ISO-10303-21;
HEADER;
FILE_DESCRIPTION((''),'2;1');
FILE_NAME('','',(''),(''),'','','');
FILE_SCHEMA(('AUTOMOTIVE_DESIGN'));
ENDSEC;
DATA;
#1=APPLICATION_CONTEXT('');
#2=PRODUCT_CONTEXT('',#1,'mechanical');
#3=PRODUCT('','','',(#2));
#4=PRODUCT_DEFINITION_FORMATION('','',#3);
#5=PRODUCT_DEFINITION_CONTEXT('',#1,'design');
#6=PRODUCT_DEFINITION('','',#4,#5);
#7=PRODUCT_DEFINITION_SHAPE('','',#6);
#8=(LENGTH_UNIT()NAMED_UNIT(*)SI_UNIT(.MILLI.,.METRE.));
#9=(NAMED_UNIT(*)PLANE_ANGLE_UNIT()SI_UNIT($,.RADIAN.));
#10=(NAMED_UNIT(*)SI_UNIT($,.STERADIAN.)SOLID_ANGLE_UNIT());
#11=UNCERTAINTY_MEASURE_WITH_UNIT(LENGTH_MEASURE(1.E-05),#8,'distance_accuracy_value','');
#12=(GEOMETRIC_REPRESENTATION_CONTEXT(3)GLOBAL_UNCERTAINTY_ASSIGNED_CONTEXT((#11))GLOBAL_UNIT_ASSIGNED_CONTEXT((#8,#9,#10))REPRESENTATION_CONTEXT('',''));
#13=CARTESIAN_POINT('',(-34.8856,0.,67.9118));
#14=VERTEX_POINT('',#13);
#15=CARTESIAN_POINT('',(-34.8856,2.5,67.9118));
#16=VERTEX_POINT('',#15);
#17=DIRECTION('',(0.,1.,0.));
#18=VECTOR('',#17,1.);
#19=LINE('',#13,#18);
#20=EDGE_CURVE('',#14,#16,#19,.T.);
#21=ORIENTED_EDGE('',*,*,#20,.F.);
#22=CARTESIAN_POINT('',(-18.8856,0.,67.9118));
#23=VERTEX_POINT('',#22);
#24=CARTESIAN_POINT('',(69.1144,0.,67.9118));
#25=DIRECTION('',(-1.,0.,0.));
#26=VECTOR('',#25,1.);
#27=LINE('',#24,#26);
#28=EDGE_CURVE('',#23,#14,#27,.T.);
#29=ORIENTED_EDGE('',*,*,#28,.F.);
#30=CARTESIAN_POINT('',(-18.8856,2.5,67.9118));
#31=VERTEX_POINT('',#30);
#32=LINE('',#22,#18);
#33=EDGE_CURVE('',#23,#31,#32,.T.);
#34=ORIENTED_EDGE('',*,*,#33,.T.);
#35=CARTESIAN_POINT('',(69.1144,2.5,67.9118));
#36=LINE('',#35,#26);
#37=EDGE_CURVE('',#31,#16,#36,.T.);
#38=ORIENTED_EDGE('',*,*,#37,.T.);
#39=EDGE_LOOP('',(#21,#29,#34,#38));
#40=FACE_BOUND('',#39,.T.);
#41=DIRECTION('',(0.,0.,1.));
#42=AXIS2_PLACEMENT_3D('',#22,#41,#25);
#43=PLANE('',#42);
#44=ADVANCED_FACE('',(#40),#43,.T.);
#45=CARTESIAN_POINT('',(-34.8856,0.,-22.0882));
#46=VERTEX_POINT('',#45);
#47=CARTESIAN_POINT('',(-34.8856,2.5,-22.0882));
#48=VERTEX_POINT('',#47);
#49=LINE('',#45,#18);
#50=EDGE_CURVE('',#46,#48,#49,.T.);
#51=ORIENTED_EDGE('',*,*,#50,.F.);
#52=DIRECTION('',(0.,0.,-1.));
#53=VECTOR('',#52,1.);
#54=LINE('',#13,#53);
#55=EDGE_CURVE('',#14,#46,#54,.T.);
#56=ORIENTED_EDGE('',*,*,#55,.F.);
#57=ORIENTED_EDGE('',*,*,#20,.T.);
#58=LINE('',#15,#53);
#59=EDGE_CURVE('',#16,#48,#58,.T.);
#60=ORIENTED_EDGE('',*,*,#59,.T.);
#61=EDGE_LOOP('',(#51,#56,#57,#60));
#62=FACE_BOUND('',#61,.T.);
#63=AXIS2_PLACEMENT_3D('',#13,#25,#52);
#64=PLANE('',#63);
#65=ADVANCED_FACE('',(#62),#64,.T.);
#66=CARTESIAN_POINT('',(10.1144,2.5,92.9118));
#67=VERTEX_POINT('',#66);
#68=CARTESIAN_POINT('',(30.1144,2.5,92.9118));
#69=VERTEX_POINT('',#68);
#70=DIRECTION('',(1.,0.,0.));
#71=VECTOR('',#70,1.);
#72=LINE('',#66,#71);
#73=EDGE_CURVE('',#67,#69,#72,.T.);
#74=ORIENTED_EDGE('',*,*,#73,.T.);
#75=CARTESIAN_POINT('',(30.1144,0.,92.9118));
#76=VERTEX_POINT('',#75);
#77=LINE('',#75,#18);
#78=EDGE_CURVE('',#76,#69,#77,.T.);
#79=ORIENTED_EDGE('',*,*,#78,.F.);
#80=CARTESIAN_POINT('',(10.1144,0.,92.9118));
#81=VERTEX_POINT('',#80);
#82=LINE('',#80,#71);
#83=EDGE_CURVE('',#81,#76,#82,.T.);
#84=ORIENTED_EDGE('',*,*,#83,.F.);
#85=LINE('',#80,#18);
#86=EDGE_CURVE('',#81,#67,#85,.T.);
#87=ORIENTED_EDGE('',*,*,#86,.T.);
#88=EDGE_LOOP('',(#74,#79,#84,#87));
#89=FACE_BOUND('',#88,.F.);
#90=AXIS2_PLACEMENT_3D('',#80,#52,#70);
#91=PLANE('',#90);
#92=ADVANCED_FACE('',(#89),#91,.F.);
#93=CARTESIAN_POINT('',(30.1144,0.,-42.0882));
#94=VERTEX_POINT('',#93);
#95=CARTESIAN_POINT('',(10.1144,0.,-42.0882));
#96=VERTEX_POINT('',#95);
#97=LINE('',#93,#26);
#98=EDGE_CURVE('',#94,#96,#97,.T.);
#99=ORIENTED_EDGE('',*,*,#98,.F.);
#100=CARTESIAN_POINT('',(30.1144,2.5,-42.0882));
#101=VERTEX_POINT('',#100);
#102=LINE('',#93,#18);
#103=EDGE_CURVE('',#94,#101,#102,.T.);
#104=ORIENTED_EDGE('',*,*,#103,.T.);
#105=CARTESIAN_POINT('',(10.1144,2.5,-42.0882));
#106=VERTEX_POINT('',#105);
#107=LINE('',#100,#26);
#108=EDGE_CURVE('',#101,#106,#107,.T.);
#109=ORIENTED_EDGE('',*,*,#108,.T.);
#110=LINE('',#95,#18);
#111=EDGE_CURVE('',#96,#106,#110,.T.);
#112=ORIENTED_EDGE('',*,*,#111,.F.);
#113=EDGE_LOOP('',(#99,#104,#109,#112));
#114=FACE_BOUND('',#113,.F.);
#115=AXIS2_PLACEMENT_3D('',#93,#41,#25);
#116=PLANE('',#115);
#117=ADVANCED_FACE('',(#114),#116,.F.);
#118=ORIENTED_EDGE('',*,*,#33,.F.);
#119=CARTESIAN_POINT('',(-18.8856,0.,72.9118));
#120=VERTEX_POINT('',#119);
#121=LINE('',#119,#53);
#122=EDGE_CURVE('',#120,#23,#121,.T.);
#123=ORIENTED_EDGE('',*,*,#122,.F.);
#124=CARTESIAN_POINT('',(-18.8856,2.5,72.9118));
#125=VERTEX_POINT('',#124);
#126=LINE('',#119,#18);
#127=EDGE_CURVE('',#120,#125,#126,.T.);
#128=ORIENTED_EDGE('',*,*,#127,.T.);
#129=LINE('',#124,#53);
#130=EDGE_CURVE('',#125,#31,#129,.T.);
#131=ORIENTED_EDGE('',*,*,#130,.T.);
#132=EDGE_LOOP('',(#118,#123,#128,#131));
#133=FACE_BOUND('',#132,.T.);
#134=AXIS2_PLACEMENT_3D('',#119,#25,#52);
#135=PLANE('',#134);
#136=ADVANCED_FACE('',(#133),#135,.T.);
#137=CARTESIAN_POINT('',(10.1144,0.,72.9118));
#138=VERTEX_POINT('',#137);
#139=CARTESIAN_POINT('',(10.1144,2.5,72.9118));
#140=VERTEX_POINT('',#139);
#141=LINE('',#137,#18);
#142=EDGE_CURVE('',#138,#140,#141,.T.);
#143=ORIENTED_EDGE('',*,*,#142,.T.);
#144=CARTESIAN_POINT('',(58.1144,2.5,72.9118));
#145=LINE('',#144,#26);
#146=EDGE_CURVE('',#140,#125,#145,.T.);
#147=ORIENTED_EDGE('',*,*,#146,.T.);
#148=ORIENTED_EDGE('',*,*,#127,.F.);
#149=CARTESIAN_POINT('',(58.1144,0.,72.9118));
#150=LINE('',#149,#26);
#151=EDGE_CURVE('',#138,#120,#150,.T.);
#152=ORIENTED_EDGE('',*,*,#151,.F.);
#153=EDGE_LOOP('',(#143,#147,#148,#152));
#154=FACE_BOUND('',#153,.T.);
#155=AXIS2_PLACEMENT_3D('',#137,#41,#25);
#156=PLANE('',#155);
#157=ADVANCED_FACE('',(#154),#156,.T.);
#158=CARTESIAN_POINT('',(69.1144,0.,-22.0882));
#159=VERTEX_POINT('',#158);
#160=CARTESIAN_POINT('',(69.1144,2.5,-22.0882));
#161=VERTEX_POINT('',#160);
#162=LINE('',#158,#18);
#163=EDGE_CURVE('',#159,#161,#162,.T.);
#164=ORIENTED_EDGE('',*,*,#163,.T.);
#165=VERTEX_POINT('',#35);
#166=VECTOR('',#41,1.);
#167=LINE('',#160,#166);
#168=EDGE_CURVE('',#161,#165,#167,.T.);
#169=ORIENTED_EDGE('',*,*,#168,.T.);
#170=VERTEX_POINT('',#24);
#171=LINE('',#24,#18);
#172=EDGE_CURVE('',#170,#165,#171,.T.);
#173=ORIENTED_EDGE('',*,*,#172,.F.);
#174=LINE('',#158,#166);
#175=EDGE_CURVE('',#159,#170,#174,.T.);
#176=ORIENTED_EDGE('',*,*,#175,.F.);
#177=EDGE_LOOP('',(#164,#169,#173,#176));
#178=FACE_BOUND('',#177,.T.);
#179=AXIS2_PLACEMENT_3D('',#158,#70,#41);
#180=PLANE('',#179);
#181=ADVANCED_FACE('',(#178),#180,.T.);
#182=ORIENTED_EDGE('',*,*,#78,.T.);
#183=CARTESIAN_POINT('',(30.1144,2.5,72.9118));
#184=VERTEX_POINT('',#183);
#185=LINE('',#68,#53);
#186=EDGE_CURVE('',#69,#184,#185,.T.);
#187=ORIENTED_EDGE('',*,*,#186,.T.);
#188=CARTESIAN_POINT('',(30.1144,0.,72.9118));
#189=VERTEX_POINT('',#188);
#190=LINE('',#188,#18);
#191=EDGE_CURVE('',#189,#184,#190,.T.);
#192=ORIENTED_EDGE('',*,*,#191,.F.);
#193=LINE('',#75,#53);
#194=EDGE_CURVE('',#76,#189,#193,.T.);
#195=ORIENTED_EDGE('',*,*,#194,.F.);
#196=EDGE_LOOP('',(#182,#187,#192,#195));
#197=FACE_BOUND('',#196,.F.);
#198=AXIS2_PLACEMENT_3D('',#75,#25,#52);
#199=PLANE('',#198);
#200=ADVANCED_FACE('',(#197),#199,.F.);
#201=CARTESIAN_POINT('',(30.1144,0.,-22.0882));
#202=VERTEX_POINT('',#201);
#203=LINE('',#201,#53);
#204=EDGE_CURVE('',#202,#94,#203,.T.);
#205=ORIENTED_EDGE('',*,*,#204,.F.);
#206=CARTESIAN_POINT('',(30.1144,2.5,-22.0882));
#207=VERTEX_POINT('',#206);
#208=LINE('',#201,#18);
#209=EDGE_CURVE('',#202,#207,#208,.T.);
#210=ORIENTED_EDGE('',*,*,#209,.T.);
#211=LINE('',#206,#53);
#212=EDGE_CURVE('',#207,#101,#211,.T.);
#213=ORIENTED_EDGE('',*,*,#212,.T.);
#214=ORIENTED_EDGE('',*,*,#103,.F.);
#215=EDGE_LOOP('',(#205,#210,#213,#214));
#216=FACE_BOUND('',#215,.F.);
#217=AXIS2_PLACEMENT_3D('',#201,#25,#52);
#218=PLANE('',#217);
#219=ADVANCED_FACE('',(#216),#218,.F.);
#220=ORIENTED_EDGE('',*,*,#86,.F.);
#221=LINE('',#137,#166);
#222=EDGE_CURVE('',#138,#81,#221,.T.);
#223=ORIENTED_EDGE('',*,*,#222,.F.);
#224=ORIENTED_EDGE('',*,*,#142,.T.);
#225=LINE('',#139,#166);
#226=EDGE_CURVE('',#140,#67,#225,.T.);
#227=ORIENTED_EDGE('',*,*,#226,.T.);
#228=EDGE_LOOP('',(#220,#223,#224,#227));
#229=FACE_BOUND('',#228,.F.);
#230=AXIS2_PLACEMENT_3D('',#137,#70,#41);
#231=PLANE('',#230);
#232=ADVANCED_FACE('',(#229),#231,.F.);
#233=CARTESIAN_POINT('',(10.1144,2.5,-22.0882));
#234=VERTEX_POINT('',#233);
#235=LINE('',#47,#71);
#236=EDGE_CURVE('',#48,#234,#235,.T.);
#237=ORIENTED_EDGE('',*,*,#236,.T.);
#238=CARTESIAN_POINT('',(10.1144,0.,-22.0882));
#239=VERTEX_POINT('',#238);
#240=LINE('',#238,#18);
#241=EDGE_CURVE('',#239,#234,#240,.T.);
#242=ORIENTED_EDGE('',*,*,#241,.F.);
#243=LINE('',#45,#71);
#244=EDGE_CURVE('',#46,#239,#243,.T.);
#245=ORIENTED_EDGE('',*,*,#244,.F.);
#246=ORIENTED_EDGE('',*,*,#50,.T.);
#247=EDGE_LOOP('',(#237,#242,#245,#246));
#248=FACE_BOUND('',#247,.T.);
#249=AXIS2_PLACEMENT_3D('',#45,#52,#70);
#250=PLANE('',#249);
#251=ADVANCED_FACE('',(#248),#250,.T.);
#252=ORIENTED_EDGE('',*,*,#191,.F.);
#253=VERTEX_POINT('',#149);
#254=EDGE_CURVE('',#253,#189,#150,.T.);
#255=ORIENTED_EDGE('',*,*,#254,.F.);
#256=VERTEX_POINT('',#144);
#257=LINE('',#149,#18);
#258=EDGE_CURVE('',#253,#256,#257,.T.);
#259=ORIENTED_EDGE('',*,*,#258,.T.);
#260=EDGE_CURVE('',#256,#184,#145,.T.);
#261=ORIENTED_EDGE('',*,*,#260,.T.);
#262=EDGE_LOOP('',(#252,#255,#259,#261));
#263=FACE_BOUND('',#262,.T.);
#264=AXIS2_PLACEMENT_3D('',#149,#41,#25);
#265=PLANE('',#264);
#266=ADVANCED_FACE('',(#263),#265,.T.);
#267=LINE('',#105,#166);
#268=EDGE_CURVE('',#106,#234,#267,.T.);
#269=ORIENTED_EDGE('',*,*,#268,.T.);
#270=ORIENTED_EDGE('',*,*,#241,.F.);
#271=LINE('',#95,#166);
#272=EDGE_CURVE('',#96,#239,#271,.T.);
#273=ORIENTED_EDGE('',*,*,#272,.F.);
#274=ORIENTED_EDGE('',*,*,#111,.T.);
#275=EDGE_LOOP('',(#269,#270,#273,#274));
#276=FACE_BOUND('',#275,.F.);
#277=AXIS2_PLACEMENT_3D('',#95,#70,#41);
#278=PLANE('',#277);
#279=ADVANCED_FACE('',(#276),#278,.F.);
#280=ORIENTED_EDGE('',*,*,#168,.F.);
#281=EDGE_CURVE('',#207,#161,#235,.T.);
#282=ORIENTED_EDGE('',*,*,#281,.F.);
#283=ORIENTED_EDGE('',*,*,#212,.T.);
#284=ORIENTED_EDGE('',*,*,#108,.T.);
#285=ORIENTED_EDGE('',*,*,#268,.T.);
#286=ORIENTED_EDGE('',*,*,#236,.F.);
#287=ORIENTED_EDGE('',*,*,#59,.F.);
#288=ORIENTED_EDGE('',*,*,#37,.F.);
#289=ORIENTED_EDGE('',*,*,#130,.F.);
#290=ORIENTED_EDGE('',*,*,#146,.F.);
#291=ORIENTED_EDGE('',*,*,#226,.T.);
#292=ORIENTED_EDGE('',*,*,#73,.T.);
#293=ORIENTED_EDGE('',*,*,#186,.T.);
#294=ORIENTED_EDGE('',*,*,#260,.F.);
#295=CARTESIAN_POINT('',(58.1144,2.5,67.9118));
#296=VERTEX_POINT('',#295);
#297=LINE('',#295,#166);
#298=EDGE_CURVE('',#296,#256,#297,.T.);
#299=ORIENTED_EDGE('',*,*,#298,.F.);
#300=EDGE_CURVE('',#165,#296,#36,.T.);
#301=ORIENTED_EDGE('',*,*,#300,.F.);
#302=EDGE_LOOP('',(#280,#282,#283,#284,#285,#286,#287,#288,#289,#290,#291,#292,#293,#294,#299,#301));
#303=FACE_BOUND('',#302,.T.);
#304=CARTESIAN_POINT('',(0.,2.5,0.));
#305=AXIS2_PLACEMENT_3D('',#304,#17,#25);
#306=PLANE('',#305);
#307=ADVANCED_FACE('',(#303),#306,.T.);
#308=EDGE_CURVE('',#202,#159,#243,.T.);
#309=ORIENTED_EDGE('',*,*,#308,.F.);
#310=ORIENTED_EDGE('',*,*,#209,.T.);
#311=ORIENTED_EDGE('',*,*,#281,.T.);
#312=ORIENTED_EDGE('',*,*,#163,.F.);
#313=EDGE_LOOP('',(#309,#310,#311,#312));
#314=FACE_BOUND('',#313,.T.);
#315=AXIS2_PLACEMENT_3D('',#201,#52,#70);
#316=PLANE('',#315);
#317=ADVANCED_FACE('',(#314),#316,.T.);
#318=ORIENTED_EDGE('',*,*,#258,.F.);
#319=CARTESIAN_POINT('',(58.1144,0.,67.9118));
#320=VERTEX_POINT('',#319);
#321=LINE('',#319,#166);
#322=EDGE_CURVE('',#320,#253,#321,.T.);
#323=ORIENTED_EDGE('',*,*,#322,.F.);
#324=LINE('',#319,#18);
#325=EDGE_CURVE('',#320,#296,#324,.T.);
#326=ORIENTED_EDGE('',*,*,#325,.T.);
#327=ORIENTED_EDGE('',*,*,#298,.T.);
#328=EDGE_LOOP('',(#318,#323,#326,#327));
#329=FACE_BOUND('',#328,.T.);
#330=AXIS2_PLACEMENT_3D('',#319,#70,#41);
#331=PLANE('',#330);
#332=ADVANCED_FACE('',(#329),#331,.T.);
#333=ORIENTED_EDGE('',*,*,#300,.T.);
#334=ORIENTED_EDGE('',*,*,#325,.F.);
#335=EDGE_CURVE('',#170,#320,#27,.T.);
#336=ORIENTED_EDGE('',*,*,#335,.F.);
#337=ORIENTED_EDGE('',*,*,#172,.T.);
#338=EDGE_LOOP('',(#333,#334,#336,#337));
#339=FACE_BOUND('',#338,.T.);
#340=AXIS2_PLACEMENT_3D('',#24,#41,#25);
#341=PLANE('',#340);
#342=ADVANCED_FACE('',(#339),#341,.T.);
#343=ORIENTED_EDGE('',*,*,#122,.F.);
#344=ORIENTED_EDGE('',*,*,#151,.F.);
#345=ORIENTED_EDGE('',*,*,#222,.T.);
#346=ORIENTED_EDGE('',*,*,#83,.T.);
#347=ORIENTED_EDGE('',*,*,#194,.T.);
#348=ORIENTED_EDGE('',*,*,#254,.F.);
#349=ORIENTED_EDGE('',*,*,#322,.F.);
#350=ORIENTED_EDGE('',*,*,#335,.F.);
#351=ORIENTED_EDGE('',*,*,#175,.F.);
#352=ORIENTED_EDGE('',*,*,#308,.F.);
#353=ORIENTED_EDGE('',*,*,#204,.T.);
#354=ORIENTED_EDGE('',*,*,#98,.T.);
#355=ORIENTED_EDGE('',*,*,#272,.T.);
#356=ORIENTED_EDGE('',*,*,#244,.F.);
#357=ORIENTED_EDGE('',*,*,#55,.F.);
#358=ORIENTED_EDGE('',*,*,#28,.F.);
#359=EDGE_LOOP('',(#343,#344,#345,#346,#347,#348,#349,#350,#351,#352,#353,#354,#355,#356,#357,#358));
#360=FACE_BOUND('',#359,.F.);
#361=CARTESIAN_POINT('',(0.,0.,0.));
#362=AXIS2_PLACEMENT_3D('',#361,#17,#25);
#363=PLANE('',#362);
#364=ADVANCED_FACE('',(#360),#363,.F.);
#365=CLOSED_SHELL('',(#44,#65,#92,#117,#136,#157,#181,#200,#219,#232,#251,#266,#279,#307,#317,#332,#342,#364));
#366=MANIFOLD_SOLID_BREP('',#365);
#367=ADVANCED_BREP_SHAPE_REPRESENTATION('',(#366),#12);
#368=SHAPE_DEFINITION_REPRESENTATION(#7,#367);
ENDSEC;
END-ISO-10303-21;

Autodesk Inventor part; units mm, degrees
ref_plane "YZ Plane" through (0, 0, 0) normal (1, 0, 0) x (0, 1, 0)
ref_plane "XZ Plane" through (0, 0, 0) normal (0, 1, 0) x (-1, 0, 0)
ref_plane "XY Plane" through (0, 0, 0) normal (0, 0, 1) x (1, 0, 0)
sketch "스케치1" plane through (0, 0, 0) normal (0, 1, 0) x (-1, 0, 0)
  line L0 (-69.1144, 67.9118) -> (34.8856, 67.9118)
  line L1 (34.8856, 67.9118) -> (34.8856, -22.0882)
  line L2 (34.8856, -22.0882) -> (-69.1144, -22.0882)
  line L3 (-69.1144, -22.0882) -> (-69.1144, 67.9118)
  line L4 (-10.1144, -22.0882) -> (-30.1144, -22.0882)
  line L5 (-30.1144, -22.0882) -> (-30.1144, -42.0882)
  line L6 (-30.1144, -42.0882) -> (-10.1144, -42.0882)
  line L7 (-10.1144, -42.0882) -> (-10.1144, -22.0882)
  line L8 (18.8856, 67.9118) -> (-58.1144, 67.9118)
  line L9 (-58.1144, 67.9118) -> (-58.1144, 72.9118)
  line L10 (-58.1144, 72.9118) -> (18.8856, 72.9118)
  line L11 (18.8856, 72.9118) -> (18.8856, 67.9118)
  line L12 (-30.1144, 72.9118) -> (-10.1144, 72.9118)
  line L13 (-10.1144, 72.9118) -> (-10.1144, 92.9118)
  line L14 (-10.1144, 92.9118) -> (-30.1144, 92.9118)
  line L15 (-30.1144, 92.9118) -> (-30.1144, 72.9118)
  point P0 (0, 0)
  point P1 (-20.1144, -42.0882)
  point P2 (-58.1144, 70.4118)
  point P3 (18.8856, 70.4118)
  dimension "d10" = 90
  dimension "d11" = 104
  dimension "d12" = 39
  dimension "d13" = 59
  dimension "d14" = 20
  dimension "d15" = 5
  dimension "d16" = 11
  dimension "d17" = 16
  dimension "d18" = 39
  dimension "d19" = 59
  dimension "d20" = 20
extrude "돌출1" add sketch "스케치1" along normal blind 2.5
properties part number "imu_seat"
